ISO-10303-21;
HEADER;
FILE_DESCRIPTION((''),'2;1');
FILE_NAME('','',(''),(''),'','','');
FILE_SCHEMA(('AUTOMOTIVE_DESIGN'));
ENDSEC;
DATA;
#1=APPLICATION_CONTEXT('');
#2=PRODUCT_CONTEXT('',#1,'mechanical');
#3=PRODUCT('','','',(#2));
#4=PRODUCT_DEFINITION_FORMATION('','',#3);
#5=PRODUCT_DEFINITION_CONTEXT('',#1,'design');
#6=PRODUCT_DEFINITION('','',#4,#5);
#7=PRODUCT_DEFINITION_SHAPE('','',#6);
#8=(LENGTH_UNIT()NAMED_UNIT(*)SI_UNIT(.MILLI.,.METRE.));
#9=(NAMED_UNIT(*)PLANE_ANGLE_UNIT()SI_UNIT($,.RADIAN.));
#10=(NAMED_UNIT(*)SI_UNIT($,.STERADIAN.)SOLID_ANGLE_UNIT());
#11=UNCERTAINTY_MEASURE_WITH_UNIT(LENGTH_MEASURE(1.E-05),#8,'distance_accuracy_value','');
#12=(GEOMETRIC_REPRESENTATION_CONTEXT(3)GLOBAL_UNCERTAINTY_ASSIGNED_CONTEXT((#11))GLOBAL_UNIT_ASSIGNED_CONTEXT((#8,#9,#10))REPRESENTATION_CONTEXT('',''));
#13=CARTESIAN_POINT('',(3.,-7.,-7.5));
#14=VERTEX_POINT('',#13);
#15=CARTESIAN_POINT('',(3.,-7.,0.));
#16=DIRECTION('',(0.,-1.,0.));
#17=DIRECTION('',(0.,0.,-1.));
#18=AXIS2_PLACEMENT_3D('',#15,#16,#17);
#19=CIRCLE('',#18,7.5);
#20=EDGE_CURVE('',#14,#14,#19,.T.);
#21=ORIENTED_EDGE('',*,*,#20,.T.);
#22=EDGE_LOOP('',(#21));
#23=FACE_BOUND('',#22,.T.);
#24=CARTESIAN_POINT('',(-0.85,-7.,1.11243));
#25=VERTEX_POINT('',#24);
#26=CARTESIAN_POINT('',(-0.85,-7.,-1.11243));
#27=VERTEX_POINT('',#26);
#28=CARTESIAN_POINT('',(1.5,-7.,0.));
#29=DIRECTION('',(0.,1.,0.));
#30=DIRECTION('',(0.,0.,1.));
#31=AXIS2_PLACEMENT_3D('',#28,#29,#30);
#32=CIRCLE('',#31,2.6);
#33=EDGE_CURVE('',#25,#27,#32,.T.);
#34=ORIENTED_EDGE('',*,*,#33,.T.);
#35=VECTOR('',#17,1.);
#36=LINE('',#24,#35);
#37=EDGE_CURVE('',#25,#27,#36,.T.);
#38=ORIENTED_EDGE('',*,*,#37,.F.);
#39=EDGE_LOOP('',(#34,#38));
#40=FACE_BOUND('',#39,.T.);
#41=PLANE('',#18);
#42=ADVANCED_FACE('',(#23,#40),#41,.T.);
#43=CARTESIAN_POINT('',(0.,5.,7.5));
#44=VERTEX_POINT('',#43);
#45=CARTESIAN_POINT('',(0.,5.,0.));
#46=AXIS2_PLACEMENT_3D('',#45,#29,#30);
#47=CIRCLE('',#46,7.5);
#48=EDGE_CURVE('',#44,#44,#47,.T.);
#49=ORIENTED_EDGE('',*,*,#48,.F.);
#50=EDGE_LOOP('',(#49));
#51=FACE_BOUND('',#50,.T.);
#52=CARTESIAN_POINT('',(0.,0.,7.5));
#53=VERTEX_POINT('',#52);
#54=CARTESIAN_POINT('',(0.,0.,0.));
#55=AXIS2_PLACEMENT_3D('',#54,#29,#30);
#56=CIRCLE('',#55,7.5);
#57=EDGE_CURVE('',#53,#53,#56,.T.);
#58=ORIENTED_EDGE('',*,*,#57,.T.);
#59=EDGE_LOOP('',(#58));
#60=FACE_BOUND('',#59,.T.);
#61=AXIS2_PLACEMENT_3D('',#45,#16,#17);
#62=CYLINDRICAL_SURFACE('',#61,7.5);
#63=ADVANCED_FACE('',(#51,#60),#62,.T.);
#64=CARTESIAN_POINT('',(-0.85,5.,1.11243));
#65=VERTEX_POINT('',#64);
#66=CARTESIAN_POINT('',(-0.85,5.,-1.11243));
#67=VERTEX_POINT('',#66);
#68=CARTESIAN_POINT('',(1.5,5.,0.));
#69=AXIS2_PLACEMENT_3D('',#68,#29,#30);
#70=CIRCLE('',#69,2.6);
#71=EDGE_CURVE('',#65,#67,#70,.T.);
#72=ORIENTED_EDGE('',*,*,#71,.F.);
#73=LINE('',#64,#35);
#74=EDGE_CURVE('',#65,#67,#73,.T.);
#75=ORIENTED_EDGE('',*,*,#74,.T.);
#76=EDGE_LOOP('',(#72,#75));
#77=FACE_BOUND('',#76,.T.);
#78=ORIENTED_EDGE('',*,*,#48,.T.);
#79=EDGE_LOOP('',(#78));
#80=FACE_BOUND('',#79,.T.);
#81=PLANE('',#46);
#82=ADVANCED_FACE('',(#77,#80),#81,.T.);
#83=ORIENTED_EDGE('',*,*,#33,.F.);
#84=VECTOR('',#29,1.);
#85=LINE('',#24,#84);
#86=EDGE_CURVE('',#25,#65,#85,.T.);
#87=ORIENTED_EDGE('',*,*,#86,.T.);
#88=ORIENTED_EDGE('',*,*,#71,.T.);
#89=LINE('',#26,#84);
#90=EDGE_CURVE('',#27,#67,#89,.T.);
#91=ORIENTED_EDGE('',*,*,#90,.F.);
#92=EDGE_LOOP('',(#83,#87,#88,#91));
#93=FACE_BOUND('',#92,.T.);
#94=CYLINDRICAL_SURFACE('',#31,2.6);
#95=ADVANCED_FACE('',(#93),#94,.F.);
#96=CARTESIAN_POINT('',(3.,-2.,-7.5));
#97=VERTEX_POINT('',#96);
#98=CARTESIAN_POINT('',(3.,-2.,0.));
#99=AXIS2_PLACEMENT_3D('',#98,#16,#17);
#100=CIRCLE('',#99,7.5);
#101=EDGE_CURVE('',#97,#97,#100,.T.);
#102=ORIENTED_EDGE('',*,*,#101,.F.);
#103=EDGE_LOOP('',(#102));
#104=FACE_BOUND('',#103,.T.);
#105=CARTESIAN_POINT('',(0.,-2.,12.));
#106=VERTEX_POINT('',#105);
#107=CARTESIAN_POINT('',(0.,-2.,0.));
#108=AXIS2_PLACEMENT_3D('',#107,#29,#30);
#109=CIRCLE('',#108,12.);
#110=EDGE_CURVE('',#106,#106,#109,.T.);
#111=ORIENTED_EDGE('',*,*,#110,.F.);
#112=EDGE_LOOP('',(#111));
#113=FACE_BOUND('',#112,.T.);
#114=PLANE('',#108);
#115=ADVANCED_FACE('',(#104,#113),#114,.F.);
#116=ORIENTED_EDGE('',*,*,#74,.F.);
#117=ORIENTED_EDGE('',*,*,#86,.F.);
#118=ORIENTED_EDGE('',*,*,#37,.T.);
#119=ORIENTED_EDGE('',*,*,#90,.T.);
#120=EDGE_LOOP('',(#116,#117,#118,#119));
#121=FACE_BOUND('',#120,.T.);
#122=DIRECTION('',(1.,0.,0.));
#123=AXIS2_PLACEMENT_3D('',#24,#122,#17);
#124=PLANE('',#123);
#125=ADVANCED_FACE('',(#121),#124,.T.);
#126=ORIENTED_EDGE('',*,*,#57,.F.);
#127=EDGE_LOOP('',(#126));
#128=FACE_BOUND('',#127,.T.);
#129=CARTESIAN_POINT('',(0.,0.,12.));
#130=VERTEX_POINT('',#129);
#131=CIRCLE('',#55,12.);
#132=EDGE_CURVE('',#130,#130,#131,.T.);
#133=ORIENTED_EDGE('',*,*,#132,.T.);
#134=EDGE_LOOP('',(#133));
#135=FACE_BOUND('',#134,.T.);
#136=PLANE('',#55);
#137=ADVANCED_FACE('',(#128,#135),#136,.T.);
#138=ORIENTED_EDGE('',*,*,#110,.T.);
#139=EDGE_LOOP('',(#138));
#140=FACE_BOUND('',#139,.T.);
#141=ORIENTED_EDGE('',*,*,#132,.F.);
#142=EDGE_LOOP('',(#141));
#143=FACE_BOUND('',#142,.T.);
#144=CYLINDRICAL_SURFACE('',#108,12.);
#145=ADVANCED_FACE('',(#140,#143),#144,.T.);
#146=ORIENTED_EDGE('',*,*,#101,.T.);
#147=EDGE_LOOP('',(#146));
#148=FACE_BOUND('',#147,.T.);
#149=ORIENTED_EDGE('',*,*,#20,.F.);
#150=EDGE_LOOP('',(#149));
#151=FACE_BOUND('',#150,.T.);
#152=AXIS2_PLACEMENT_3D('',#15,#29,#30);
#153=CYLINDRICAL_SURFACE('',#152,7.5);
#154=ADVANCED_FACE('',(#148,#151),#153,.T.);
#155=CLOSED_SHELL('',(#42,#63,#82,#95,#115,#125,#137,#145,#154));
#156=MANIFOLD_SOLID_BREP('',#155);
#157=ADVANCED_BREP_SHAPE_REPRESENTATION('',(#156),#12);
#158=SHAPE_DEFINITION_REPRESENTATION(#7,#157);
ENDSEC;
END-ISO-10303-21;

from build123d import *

# Parameters (mm, degrees)
SKETCH2_R           = 7.5
BOSS_EXTRUDE1_DEPTH = 5
SKETCH2_3_R         = 12
SKETCH2_3_R_2       = 7.5
BOSS_EXTRUDE2_DEPTH = 2
BOSS_EXTRUDE4_START = -2
SKETCH2_5_R         = 7.5
BOSS_EXTRUDE4_DEPTH = 2
SKETCH4_R           = 7.5
BOSS_EXTRUDE5_DEPTH = 5
CUT_EXTRUDE1_DEPTH  = 21.784609691


with BuildPart() as part:
    # Sketch2 → Boss-Extrude1 (new body)
    with BuildSketch(Plane(origin=(0, 0, 0), x_dir=(1, 0, 0), z_dir=(0, 1, 0))):
        Circle(SKETCH2_R)
    extrude(amount=BOSS_EXTRUDE1_DEPTH)



with BuildPart() as body_2:
    # Sketch2<3> → Boss-Extrude2 (new body)
    with BuildSketch(Plane(origin=(0, 0, 0), x_dir=(1, 0, 0), z_dir=(0, 1, 0))):
        Circle(SKETCH2_3_R)
        Circle(SKETCH2_3_R_2, mode=Mode.SUBTRACT)
    extrude(amount=-BOSS_EXTRUDE2_DEPTH)


with BuildPart() as part_1:
    add(part.part)

    add(body_2.part)  # Boss-Extrude4 merges body 2
    # Sketch2<5> → Boss-Extrude4 (add)
    with BuildSketch(Plane(origin=(0, 0, 0), x_dir=(1, 0, 0), z_dir=(0, 1, 0)).offset(BOSS_EXTRUDE4_START)):
        Circle(SKETCH2_5_R)
    extrude(amount=BOSS_EXTRUDE4_DEPTH)

    # Sketch4 → Boss-Extrude5 (add)
    with BuildSketch(Plane.XZ.offset(2)):
        with Locations((3, 0)):
            Circle(SKETCH4_R)
    extrude(amount=BOSS_EXTRUDE5_DEPTH)

    # Sketch6 → Cut-Extrude1 (cut, through all)
    with BuildSketch(Plane(origin=(0, 5, 0), x_dir=(1, 0, 0), z_dir=(0, 1, 0))):
        with BuildLine():
            Line((-0.85, -1.112429773), (-0.85, 1.112429773))
            ThreePointArc((-0.85, 1.112429773), (4.1, 0), (-0.85, -1.112429773))
        make_face()
    extrude(amount=-CUT_EXTRUDE1_DEPTH, mode=Mode.SUBTRACT)


solid = part_1.part
